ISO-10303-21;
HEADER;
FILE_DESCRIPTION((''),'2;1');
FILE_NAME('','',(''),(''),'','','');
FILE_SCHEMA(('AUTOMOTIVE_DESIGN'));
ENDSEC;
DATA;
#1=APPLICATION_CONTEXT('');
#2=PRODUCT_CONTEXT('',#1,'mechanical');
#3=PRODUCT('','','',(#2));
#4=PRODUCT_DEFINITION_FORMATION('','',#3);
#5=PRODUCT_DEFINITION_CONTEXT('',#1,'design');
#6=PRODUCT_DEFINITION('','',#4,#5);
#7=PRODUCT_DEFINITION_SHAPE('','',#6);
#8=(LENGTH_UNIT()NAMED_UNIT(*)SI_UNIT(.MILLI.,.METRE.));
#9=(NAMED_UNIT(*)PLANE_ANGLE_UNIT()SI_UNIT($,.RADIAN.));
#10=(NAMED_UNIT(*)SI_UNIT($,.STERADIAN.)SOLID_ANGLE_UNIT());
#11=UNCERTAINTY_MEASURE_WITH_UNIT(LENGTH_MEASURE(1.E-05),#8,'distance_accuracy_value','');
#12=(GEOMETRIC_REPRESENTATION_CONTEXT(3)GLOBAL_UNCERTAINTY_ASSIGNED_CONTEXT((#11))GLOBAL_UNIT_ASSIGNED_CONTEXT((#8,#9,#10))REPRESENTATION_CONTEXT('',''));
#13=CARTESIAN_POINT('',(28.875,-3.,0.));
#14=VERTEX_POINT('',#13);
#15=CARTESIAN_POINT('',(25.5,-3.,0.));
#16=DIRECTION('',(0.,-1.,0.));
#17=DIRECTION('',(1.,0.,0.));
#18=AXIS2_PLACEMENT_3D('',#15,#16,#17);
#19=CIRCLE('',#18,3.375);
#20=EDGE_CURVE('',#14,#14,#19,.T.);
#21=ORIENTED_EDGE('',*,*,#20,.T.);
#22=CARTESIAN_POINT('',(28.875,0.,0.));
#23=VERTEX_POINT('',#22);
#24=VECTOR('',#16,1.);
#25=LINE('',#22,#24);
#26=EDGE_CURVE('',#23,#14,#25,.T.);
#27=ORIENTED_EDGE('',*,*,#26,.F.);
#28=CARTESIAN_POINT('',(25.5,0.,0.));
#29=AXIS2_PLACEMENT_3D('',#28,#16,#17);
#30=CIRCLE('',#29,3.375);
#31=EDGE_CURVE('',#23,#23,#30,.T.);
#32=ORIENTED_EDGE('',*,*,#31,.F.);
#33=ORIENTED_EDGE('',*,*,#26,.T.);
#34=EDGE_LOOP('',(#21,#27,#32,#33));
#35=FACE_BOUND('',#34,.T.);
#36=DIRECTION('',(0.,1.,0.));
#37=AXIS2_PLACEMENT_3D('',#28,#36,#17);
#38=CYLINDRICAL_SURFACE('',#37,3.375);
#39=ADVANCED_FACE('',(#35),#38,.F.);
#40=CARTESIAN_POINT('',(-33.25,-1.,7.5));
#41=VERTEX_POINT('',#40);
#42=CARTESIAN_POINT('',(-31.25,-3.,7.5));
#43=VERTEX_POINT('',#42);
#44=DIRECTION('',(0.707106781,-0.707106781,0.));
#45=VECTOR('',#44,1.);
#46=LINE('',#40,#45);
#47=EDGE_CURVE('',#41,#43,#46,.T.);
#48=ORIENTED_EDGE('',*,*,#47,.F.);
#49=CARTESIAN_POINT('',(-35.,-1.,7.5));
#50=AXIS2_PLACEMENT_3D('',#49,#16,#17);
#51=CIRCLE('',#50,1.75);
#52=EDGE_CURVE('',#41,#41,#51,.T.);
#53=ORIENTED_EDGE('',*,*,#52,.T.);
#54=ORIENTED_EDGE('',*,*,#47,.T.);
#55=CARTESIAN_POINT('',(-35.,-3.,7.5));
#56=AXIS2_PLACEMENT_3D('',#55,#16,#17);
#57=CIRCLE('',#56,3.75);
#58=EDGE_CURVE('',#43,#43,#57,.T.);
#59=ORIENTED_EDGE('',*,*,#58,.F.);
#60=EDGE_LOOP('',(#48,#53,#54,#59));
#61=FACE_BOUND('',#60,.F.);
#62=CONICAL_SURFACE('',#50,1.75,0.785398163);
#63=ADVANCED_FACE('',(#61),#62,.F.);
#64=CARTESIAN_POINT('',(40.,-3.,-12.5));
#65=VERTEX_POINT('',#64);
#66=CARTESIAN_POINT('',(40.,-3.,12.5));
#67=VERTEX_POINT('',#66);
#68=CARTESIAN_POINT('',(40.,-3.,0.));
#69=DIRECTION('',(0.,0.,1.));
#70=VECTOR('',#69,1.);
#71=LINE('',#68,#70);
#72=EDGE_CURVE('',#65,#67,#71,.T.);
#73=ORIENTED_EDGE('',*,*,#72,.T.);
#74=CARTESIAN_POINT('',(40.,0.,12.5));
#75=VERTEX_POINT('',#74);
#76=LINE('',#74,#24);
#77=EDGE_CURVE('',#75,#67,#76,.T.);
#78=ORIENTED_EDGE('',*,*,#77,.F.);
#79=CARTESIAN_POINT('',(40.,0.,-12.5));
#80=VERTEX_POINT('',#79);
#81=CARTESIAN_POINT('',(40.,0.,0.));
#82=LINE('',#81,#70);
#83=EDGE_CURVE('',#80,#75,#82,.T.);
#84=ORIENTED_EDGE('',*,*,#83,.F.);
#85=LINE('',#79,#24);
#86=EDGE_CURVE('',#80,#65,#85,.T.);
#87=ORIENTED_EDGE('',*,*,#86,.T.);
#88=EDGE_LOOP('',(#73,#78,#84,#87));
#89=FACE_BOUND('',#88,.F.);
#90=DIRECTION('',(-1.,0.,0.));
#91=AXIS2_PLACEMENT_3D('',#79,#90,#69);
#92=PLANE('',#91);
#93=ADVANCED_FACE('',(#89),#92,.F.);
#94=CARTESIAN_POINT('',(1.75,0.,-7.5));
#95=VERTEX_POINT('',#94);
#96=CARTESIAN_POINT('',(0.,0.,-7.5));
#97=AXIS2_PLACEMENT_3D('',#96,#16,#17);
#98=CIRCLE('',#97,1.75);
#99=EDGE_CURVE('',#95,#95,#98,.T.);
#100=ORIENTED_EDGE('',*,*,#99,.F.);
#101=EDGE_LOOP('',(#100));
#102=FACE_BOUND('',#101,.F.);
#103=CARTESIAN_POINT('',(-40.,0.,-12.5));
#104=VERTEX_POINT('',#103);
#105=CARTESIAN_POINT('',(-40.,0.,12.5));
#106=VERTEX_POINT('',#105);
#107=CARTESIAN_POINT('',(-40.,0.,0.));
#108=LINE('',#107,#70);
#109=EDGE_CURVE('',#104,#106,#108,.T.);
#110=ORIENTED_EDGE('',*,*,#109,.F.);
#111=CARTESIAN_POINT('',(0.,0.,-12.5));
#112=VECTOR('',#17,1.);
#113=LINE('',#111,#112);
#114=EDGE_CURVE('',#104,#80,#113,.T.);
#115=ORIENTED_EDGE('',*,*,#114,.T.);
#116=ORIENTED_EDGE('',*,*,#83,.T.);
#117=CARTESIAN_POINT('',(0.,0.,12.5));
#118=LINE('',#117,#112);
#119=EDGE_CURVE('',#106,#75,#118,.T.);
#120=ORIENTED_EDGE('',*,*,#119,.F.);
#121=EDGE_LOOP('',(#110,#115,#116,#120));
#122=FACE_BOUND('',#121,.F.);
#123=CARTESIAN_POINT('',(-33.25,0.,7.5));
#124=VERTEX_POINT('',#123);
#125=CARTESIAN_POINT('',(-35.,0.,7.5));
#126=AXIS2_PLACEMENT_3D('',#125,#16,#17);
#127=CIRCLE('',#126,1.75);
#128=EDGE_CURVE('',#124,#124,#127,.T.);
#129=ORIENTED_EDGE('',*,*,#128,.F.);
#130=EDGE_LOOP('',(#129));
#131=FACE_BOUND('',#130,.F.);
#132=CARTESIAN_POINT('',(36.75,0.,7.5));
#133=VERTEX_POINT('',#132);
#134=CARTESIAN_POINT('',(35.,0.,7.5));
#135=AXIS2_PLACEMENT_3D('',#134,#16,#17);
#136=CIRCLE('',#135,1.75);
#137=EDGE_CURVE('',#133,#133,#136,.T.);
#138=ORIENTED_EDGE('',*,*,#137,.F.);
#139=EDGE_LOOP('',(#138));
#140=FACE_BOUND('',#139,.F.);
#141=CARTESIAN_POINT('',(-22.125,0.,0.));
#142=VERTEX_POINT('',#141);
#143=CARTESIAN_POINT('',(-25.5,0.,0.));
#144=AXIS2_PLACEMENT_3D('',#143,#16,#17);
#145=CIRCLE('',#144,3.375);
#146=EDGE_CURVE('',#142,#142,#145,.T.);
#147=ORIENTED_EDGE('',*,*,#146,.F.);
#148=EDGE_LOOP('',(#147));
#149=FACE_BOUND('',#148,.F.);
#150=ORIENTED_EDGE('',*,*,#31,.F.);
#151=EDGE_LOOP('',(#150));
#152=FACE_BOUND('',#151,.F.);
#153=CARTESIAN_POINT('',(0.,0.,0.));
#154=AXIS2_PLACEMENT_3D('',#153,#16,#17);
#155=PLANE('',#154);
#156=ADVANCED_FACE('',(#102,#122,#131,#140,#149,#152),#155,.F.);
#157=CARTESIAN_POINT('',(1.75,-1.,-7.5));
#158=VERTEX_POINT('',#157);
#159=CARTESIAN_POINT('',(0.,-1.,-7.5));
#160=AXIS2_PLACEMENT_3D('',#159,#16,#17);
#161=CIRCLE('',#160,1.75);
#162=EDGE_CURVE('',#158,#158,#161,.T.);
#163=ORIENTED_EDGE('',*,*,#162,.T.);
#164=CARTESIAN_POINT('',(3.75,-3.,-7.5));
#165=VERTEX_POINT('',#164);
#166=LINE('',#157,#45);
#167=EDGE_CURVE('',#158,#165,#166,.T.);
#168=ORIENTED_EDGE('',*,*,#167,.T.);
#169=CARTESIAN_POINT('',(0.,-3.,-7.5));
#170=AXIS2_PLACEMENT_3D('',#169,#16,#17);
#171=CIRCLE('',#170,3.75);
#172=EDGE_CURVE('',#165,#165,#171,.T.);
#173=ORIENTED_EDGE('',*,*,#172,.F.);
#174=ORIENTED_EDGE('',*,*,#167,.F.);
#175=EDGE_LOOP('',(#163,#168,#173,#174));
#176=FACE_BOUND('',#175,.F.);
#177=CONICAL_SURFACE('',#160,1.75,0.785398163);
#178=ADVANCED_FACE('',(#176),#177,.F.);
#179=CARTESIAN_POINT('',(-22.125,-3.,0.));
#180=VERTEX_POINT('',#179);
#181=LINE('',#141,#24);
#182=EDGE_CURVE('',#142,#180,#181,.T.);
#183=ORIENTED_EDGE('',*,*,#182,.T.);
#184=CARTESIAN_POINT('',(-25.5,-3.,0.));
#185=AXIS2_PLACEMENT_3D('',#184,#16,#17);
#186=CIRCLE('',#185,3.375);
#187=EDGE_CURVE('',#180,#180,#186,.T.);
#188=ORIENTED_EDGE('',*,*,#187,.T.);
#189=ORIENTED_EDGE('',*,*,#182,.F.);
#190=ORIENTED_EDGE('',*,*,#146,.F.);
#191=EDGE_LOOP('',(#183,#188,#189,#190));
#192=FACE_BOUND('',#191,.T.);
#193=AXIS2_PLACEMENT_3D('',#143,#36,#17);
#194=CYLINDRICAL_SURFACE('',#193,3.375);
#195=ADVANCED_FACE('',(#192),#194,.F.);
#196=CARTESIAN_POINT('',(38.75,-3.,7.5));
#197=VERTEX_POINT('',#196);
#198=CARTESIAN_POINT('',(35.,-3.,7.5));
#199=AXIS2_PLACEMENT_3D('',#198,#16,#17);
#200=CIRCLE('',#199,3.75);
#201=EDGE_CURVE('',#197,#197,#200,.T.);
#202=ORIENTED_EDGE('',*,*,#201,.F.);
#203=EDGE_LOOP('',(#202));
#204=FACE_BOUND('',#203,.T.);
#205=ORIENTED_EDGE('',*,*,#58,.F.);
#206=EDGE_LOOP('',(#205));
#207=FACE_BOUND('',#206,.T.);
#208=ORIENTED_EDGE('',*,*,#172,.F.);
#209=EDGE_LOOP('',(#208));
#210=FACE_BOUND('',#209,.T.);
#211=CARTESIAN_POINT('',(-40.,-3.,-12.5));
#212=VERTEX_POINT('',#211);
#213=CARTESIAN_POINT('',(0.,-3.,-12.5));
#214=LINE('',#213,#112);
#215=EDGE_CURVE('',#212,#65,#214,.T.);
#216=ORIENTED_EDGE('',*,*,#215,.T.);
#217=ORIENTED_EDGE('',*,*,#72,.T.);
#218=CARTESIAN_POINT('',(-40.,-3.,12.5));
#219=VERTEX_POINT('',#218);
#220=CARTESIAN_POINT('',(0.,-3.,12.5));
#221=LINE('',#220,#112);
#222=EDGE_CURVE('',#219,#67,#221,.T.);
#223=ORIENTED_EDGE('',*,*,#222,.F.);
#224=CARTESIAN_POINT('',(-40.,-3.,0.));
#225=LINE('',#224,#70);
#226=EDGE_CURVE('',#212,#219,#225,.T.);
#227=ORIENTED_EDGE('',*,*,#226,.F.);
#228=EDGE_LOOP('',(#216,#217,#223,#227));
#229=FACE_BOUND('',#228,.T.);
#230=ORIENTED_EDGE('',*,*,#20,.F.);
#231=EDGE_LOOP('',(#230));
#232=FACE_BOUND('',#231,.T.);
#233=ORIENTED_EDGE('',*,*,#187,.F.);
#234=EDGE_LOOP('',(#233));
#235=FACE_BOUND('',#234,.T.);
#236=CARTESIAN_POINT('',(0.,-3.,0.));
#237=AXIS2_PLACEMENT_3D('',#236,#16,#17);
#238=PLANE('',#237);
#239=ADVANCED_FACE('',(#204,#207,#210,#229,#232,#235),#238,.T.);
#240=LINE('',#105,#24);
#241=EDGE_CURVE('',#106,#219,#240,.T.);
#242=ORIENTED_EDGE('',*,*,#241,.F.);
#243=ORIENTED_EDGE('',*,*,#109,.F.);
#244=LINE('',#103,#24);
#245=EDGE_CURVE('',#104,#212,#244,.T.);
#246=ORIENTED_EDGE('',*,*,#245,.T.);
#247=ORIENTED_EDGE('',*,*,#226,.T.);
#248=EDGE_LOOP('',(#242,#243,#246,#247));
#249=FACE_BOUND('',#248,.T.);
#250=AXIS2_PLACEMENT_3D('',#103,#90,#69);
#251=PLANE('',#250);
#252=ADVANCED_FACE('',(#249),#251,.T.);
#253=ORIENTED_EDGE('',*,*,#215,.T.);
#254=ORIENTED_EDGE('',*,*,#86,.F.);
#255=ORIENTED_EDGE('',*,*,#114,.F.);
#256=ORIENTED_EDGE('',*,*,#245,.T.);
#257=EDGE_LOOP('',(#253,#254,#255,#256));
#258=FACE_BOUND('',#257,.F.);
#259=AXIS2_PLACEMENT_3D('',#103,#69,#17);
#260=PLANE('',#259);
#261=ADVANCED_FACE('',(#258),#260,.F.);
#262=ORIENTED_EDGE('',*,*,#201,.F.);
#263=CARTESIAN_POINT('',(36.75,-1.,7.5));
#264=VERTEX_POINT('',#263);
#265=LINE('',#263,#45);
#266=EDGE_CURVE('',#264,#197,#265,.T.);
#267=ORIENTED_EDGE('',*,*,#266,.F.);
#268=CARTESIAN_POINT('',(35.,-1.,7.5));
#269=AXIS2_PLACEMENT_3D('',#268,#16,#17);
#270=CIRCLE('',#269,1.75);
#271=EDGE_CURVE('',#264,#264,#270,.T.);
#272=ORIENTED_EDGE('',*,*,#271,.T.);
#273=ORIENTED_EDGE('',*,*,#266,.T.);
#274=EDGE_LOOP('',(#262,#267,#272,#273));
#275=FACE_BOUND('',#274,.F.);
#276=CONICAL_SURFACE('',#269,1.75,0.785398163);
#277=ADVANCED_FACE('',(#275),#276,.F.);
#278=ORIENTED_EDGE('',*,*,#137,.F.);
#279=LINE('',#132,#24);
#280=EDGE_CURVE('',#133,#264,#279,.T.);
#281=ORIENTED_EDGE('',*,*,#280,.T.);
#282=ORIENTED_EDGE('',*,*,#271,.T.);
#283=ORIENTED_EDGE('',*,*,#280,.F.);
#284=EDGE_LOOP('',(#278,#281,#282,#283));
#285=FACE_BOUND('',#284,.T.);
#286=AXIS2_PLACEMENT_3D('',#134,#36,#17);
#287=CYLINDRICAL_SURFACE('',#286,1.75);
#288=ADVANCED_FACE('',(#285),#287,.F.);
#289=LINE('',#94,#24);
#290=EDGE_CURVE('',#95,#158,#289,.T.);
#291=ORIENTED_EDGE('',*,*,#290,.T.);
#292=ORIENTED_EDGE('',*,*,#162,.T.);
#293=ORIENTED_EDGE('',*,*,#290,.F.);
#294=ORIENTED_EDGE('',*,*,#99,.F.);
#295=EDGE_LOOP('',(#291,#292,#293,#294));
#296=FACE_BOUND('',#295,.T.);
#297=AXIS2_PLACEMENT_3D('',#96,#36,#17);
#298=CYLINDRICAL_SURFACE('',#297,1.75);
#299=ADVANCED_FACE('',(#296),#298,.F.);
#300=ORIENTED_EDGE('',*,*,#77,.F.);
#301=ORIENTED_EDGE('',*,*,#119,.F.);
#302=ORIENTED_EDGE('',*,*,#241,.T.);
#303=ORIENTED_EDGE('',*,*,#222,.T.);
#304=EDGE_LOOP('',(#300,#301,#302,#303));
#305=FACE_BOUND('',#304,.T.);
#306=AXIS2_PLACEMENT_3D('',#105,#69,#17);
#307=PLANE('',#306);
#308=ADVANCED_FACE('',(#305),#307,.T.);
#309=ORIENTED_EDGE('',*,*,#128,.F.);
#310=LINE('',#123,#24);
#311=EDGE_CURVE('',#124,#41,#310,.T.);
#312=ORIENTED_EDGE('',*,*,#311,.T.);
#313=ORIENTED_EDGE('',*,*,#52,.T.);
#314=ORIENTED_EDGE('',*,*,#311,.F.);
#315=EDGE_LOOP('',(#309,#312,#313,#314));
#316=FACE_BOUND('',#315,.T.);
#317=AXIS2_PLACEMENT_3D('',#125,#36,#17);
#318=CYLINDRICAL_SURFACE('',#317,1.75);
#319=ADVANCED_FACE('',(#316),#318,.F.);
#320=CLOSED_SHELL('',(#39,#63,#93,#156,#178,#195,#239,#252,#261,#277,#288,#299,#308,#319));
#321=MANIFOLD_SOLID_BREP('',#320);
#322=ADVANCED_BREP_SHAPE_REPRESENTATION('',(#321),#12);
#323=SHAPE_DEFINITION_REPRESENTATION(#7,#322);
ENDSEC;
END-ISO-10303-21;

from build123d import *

# Parameters (mm, degrees)
F0_W     = 80
F0_H     = 25
F0_R     = 1.75
F0_R_2   = 3.375
F1_DEPTH = 3
F2_SIZE  = 2


with BuildPart() as f1:
    # F0 (on Front) → F1 (new body)
    with BuildSketch(Plane.XZ):
        Rectangle(F0_W, F0_H)
        with Locations((0, -7.5)):
            Circle(F0_R, mode=Mode.SUBTRACT)
        with Locations((-25.5, 0)):
            Circle(F0_R_2, mode=Mode.SUBTRACT)
        with Locations((-35, 7.5)):
            Circle(F0_R, mode=Mode.SUBTRACT)
        with Locations((25.5, 0)):
            Circle(F0_R_2, mode=Mode.SUBTRACT)
        with Locations((35, 7.5)):
            Circle(F0_R, mode=Mode.SUBTRACT)
    extrude(amount=F1_DEPTH)

    # F2
    f2_edges = [f1.edges().sort_by_distance(p)[0] for p in [
        (-36.75, -3, 7.5),
        (-1.75, -3, -7.5),
        (33.25, -3, 7.5),
    ]]
    chamfer(f2_edges, length=F2_SIZE)


solid = f1.part
